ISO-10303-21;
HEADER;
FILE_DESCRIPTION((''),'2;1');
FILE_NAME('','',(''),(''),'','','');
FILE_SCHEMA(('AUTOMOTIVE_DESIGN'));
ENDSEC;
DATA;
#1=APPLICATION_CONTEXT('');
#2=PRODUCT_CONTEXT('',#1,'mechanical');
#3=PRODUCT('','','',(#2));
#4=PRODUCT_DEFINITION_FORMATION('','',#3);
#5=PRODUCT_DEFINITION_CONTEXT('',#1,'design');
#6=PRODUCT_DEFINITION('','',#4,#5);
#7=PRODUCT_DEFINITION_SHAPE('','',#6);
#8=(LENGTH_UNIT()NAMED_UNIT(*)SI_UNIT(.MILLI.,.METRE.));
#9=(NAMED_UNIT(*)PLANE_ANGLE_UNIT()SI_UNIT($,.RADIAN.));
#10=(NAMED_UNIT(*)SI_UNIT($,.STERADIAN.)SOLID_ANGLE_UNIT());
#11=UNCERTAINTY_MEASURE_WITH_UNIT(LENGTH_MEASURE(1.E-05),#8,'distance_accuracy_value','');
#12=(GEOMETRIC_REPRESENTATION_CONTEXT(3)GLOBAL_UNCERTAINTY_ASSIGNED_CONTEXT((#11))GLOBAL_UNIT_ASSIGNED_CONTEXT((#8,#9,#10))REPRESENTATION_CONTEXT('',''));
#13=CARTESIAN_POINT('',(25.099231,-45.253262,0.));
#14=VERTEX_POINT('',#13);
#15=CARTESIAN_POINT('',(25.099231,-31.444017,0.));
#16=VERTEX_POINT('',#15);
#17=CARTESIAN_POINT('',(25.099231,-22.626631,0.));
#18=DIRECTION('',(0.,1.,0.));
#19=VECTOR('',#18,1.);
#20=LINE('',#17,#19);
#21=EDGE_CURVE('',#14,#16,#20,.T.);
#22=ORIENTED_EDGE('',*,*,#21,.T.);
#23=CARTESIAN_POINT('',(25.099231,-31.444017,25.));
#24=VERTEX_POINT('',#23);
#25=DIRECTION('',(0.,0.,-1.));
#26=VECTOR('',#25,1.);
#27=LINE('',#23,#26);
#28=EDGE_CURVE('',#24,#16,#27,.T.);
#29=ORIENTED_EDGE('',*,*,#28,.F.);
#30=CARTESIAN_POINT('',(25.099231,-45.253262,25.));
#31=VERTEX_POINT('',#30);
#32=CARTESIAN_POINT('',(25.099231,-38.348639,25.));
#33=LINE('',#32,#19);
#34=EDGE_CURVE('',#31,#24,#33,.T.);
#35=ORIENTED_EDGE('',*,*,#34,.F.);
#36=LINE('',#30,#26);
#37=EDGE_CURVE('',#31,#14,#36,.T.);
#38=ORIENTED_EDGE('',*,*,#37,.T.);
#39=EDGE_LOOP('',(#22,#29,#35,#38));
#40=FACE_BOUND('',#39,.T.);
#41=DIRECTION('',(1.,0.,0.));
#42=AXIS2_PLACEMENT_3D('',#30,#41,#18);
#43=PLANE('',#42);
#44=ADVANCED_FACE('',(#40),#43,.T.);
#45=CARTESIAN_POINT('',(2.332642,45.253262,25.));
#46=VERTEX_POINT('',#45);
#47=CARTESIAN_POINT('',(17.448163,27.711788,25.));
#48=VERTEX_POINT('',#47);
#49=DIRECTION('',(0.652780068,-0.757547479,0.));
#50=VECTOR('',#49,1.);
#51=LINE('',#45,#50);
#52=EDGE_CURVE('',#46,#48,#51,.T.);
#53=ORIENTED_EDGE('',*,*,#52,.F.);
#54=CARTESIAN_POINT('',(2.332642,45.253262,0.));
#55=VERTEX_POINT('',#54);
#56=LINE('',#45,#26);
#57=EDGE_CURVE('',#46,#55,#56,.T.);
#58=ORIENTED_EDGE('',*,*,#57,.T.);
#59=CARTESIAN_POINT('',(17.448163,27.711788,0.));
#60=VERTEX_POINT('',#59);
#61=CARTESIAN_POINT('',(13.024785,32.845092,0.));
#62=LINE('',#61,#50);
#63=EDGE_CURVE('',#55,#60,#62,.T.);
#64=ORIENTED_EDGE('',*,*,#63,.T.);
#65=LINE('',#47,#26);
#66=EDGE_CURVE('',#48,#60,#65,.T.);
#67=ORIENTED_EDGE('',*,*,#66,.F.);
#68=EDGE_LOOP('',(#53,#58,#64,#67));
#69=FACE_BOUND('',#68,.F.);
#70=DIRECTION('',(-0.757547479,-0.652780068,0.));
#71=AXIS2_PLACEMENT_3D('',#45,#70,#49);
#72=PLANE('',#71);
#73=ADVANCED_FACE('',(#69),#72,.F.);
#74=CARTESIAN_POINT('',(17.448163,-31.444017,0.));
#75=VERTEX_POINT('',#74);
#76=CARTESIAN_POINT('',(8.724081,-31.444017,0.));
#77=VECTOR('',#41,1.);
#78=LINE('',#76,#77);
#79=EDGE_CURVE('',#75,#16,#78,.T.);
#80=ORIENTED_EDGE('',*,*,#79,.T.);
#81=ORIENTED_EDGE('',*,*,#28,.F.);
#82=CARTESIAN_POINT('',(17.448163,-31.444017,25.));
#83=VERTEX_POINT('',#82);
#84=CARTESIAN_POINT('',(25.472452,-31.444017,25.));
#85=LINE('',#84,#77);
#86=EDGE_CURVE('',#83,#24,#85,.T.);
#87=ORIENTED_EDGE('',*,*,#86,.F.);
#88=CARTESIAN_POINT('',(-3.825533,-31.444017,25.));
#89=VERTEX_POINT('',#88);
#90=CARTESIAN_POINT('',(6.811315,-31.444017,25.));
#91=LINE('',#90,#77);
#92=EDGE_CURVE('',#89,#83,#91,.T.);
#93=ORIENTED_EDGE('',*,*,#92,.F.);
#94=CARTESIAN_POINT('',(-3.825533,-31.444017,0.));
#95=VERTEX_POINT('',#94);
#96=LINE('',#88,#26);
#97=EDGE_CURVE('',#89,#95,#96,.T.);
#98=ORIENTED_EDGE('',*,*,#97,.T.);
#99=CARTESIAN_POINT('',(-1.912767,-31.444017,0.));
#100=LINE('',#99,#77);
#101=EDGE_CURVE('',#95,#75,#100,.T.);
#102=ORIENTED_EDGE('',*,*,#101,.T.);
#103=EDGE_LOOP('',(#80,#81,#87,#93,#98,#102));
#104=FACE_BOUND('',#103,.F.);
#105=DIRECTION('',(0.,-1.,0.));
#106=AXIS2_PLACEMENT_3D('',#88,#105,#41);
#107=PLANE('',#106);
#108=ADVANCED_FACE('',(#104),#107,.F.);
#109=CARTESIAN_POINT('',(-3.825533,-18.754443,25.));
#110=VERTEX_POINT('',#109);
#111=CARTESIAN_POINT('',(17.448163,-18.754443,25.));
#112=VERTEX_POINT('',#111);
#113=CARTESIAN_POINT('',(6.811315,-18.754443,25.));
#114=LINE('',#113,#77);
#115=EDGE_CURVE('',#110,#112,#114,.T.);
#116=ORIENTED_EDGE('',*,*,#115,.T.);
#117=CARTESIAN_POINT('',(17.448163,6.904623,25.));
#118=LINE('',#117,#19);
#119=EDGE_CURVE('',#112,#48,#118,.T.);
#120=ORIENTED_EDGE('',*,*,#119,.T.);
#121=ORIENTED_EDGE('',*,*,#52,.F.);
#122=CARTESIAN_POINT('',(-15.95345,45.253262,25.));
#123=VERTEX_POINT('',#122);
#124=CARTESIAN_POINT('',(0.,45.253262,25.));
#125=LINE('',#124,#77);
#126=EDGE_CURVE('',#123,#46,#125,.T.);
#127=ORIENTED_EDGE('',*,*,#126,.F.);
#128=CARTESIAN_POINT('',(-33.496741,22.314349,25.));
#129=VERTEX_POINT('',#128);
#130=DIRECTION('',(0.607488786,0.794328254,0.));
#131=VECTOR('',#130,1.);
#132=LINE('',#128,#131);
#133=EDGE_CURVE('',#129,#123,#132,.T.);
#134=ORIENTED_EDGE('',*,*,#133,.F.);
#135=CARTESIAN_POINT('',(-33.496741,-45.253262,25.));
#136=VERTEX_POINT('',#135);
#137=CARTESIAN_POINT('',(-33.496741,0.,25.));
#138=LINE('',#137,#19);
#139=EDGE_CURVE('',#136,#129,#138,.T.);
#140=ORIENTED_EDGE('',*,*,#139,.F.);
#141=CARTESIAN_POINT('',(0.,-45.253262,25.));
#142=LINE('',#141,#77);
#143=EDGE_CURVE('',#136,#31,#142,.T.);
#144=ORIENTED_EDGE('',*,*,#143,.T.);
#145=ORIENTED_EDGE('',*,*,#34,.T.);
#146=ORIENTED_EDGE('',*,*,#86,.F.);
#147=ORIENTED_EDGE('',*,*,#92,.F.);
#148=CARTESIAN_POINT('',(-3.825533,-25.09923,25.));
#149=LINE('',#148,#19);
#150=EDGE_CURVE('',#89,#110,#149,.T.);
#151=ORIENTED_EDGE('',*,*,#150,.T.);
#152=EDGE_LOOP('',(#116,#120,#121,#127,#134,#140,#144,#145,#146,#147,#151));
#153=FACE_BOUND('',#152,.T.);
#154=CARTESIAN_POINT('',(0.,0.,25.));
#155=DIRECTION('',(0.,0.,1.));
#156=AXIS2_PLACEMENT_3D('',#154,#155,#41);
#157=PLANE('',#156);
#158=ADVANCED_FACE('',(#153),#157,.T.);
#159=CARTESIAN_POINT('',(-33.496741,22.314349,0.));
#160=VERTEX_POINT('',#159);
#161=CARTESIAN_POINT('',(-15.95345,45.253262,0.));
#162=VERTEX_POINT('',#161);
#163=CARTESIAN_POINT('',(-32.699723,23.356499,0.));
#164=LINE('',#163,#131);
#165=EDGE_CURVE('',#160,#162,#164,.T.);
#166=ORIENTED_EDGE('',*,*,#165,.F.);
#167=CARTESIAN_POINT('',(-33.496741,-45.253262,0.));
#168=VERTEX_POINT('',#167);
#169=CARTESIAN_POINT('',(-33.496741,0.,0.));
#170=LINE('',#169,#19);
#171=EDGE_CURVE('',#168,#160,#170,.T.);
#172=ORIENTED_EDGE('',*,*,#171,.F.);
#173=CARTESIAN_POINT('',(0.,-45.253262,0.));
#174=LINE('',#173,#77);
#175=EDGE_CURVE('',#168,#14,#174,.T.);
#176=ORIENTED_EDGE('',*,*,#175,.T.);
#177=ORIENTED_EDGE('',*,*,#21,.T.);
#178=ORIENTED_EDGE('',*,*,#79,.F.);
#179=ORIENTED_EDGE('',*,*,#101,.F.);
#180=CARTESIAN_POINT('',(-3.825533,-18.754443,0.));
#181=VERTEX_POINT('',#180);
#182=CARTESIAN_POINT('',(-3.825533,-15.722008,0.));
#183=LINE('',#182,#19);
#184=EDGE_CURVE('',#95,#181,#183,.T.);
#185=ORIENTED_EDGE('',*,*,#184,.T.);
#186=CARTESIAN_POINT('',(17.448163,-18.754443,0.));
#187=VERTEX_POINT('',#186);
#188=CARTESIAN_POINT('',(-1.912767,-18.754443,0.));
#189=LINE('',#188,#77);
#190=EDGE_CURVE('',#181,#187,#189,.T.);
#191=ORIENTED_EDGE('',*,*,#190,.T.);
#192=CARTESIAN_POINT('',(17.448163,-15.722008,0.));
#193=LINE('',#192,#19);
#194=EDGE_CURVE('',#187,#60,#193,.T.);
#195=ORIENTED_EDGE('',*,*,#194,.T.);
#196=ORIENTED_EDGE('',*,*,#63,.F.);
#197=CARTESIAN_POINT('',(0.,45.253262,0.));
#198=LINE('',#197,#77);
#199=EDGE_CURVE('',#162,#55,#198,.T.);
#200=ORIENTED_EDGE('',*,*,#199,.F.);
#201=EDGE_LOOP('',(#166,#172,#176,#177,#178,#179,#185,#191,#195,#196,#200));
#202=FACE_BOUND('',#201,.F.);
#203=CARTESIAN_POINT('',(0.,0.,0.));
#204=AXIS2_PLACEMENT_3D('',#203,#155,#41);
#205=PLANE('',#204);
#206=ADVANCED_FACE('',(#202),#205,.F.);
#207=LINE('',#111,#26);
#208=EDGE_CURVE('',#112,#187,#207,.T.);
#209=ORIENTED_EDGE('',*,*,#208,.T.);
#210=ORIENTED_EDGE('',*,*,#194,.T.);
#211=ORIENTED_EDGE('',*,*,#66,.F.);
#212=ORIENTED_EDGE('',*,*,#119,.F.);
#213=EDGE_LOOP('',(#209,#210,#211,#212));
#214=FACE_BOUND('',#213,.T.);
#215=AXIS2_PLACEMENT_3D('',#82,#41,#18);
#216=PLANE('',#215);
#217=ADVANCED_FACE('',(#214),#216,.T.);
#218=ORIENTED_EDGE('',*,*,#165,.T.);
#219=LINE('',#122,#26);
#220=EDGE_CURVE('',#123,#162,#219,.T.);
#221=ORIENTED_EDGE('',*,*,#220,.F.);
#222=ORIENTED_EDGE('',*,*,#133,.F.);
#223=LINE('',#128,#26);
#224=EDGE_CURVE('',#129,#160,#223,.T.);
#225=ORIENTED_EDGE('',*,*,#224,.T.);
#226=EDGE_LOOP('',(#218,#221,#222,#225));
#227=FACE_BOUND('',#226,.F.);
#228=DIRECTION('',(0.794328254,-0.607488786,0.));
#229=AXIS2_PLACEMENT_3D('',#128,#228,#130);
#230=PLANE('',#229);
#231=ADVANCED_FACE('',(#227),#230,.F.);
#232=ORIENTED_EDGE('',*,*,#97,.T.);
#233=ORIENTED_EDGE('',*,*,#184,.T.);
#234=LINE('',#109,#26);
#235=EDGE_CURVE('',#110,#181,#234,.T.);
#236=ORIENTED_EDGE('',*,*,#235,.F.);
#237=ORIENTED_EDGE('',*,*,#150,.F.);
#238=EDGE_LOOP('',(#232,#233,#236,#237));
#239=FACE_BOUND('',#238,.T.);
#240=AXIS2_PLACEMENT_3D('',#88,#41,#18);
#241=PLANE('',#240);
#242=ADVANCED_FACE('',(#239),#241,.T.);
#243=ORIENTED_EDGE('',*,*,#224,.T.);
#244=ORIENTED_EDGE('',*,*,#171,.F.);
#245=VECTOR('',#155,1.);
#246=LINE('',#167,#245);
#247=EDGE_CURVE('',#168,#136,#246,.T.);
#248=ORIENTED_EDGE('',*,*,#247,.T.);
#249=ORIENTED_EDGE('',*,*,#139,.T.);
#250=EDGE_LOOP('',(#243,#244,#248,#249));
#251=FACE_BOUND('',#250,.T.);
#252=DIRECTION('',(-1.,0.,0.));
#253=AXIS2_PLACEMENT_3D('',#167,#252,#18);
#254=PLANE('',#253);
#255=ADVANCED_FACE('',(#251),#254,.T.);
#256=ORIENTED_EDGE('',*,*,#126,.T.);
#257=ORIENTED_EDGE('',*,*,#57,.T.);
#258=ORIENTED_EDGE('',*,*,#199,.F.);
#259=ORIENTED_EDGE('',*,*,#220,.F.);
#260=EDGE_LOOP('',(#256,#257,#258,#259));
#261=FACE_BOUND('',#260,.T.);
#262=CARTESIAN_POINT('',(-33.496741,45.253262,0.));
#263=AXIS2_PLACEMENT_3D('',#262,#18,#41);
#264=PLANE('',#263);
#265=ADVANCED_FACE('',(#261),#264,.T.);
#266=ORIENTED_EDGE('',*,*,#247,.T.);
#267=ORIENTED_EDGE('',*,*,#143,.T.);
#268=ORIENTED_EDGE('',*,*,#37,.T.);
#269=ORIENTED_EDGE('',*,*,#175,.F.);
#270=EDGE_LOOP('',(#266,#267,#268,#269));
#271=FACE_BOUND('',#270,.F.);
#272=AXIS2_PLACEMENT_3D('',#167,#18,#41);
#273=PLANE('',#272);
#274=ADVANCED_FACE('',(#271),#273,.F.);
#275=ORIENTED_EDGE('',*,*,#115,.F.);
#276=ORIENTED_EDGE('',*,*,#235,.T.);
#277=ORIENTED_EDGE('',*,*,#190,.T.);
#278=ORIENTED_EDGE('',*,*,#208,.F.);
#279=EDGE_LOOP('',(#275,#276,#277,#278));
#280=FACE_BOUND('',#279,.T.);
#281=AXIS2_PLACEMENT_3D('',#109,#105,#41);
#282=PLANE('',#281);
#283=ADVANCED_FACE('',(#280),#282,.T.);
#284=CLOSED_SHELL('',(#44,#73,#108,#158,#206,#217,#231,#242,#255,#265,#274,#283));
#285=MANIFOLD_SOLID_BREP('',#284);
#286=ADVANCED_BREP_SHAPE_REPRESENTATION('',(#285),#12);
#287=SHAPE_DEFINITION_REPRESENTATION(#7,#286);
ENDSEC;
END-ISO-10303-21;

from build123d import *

# Parameters (mm, degrees)
F0_W     = 66.9934824109
F0_H     = 90.5065238476
F1_DEPTH = 25
F2_W     = 16.0485785455
F2_H     = 76.6972787678
F3_DEPTH = 25.001
F5_DEPTH = 25.001
F6_W     = 21.2736960966
F6_H     = 12.6895736903
F7_DEPTH = 25.001
F8_W     = 8.3975102752
F8_H     = 13.8092450798
F9_DEPTH = 25.001


with BuildPart() as f1:
    # F0 (on Top) → F1 (new body)
    with BuildSketch(Plane.XY):
        Rectangle(F0_W, F0_H)
    extrude(amount=F1_DEPTH)

    # F2 (on face) → F3 (cut, through all)
    with BuildSketch(Plane.XY.offset(25)):
        with Locations((25.4724519327, 6.9046225399)):
            Rectangle(F2_W, F2_H)
    extrude(amount=-F3_DEPTH, mode=Mode.SUBTRACT)

    # F4 (on face) → F5 (cut, through all)
    with BuildSketch(Plane.XY.offset(25)):
        Polygon((-33.4967412055, 22.3143491894), (-15.9534495324, 45.2532619238), (-33.4967412055, 45.2532619238), align=None)
        Polygon((17.44816266, 45.2532619238), (2.3326422088, 45.2532619238), (17.44816266, 27.7117881924), align=None)
    extrude(amount=-F5_DEPTH, mode=Mode.SUBTRACT)

    # F6 (on face) → F7 (cut, through all)
    with BuildSketch(Plane.XY.offset(25)):
        with Locations((6.8113146117, -25.0992299989)):
            Rectangle(F6_W, F6_H)
    extrude(amount=-F7_DEPTH, mode=Mode.SUBTRACT)

    # F8 (on face) → F9 (cut, through all)
    with BuildSketch(Plane.XY.offset(25)):
        with Locations((29.2979860678, -38.3486393839)):
            Rectangle(F8_W, F8_H)
    extrude(amount=-F9_DEPTH, mode=Mode.SUBTRACT)


solid = f1.part
